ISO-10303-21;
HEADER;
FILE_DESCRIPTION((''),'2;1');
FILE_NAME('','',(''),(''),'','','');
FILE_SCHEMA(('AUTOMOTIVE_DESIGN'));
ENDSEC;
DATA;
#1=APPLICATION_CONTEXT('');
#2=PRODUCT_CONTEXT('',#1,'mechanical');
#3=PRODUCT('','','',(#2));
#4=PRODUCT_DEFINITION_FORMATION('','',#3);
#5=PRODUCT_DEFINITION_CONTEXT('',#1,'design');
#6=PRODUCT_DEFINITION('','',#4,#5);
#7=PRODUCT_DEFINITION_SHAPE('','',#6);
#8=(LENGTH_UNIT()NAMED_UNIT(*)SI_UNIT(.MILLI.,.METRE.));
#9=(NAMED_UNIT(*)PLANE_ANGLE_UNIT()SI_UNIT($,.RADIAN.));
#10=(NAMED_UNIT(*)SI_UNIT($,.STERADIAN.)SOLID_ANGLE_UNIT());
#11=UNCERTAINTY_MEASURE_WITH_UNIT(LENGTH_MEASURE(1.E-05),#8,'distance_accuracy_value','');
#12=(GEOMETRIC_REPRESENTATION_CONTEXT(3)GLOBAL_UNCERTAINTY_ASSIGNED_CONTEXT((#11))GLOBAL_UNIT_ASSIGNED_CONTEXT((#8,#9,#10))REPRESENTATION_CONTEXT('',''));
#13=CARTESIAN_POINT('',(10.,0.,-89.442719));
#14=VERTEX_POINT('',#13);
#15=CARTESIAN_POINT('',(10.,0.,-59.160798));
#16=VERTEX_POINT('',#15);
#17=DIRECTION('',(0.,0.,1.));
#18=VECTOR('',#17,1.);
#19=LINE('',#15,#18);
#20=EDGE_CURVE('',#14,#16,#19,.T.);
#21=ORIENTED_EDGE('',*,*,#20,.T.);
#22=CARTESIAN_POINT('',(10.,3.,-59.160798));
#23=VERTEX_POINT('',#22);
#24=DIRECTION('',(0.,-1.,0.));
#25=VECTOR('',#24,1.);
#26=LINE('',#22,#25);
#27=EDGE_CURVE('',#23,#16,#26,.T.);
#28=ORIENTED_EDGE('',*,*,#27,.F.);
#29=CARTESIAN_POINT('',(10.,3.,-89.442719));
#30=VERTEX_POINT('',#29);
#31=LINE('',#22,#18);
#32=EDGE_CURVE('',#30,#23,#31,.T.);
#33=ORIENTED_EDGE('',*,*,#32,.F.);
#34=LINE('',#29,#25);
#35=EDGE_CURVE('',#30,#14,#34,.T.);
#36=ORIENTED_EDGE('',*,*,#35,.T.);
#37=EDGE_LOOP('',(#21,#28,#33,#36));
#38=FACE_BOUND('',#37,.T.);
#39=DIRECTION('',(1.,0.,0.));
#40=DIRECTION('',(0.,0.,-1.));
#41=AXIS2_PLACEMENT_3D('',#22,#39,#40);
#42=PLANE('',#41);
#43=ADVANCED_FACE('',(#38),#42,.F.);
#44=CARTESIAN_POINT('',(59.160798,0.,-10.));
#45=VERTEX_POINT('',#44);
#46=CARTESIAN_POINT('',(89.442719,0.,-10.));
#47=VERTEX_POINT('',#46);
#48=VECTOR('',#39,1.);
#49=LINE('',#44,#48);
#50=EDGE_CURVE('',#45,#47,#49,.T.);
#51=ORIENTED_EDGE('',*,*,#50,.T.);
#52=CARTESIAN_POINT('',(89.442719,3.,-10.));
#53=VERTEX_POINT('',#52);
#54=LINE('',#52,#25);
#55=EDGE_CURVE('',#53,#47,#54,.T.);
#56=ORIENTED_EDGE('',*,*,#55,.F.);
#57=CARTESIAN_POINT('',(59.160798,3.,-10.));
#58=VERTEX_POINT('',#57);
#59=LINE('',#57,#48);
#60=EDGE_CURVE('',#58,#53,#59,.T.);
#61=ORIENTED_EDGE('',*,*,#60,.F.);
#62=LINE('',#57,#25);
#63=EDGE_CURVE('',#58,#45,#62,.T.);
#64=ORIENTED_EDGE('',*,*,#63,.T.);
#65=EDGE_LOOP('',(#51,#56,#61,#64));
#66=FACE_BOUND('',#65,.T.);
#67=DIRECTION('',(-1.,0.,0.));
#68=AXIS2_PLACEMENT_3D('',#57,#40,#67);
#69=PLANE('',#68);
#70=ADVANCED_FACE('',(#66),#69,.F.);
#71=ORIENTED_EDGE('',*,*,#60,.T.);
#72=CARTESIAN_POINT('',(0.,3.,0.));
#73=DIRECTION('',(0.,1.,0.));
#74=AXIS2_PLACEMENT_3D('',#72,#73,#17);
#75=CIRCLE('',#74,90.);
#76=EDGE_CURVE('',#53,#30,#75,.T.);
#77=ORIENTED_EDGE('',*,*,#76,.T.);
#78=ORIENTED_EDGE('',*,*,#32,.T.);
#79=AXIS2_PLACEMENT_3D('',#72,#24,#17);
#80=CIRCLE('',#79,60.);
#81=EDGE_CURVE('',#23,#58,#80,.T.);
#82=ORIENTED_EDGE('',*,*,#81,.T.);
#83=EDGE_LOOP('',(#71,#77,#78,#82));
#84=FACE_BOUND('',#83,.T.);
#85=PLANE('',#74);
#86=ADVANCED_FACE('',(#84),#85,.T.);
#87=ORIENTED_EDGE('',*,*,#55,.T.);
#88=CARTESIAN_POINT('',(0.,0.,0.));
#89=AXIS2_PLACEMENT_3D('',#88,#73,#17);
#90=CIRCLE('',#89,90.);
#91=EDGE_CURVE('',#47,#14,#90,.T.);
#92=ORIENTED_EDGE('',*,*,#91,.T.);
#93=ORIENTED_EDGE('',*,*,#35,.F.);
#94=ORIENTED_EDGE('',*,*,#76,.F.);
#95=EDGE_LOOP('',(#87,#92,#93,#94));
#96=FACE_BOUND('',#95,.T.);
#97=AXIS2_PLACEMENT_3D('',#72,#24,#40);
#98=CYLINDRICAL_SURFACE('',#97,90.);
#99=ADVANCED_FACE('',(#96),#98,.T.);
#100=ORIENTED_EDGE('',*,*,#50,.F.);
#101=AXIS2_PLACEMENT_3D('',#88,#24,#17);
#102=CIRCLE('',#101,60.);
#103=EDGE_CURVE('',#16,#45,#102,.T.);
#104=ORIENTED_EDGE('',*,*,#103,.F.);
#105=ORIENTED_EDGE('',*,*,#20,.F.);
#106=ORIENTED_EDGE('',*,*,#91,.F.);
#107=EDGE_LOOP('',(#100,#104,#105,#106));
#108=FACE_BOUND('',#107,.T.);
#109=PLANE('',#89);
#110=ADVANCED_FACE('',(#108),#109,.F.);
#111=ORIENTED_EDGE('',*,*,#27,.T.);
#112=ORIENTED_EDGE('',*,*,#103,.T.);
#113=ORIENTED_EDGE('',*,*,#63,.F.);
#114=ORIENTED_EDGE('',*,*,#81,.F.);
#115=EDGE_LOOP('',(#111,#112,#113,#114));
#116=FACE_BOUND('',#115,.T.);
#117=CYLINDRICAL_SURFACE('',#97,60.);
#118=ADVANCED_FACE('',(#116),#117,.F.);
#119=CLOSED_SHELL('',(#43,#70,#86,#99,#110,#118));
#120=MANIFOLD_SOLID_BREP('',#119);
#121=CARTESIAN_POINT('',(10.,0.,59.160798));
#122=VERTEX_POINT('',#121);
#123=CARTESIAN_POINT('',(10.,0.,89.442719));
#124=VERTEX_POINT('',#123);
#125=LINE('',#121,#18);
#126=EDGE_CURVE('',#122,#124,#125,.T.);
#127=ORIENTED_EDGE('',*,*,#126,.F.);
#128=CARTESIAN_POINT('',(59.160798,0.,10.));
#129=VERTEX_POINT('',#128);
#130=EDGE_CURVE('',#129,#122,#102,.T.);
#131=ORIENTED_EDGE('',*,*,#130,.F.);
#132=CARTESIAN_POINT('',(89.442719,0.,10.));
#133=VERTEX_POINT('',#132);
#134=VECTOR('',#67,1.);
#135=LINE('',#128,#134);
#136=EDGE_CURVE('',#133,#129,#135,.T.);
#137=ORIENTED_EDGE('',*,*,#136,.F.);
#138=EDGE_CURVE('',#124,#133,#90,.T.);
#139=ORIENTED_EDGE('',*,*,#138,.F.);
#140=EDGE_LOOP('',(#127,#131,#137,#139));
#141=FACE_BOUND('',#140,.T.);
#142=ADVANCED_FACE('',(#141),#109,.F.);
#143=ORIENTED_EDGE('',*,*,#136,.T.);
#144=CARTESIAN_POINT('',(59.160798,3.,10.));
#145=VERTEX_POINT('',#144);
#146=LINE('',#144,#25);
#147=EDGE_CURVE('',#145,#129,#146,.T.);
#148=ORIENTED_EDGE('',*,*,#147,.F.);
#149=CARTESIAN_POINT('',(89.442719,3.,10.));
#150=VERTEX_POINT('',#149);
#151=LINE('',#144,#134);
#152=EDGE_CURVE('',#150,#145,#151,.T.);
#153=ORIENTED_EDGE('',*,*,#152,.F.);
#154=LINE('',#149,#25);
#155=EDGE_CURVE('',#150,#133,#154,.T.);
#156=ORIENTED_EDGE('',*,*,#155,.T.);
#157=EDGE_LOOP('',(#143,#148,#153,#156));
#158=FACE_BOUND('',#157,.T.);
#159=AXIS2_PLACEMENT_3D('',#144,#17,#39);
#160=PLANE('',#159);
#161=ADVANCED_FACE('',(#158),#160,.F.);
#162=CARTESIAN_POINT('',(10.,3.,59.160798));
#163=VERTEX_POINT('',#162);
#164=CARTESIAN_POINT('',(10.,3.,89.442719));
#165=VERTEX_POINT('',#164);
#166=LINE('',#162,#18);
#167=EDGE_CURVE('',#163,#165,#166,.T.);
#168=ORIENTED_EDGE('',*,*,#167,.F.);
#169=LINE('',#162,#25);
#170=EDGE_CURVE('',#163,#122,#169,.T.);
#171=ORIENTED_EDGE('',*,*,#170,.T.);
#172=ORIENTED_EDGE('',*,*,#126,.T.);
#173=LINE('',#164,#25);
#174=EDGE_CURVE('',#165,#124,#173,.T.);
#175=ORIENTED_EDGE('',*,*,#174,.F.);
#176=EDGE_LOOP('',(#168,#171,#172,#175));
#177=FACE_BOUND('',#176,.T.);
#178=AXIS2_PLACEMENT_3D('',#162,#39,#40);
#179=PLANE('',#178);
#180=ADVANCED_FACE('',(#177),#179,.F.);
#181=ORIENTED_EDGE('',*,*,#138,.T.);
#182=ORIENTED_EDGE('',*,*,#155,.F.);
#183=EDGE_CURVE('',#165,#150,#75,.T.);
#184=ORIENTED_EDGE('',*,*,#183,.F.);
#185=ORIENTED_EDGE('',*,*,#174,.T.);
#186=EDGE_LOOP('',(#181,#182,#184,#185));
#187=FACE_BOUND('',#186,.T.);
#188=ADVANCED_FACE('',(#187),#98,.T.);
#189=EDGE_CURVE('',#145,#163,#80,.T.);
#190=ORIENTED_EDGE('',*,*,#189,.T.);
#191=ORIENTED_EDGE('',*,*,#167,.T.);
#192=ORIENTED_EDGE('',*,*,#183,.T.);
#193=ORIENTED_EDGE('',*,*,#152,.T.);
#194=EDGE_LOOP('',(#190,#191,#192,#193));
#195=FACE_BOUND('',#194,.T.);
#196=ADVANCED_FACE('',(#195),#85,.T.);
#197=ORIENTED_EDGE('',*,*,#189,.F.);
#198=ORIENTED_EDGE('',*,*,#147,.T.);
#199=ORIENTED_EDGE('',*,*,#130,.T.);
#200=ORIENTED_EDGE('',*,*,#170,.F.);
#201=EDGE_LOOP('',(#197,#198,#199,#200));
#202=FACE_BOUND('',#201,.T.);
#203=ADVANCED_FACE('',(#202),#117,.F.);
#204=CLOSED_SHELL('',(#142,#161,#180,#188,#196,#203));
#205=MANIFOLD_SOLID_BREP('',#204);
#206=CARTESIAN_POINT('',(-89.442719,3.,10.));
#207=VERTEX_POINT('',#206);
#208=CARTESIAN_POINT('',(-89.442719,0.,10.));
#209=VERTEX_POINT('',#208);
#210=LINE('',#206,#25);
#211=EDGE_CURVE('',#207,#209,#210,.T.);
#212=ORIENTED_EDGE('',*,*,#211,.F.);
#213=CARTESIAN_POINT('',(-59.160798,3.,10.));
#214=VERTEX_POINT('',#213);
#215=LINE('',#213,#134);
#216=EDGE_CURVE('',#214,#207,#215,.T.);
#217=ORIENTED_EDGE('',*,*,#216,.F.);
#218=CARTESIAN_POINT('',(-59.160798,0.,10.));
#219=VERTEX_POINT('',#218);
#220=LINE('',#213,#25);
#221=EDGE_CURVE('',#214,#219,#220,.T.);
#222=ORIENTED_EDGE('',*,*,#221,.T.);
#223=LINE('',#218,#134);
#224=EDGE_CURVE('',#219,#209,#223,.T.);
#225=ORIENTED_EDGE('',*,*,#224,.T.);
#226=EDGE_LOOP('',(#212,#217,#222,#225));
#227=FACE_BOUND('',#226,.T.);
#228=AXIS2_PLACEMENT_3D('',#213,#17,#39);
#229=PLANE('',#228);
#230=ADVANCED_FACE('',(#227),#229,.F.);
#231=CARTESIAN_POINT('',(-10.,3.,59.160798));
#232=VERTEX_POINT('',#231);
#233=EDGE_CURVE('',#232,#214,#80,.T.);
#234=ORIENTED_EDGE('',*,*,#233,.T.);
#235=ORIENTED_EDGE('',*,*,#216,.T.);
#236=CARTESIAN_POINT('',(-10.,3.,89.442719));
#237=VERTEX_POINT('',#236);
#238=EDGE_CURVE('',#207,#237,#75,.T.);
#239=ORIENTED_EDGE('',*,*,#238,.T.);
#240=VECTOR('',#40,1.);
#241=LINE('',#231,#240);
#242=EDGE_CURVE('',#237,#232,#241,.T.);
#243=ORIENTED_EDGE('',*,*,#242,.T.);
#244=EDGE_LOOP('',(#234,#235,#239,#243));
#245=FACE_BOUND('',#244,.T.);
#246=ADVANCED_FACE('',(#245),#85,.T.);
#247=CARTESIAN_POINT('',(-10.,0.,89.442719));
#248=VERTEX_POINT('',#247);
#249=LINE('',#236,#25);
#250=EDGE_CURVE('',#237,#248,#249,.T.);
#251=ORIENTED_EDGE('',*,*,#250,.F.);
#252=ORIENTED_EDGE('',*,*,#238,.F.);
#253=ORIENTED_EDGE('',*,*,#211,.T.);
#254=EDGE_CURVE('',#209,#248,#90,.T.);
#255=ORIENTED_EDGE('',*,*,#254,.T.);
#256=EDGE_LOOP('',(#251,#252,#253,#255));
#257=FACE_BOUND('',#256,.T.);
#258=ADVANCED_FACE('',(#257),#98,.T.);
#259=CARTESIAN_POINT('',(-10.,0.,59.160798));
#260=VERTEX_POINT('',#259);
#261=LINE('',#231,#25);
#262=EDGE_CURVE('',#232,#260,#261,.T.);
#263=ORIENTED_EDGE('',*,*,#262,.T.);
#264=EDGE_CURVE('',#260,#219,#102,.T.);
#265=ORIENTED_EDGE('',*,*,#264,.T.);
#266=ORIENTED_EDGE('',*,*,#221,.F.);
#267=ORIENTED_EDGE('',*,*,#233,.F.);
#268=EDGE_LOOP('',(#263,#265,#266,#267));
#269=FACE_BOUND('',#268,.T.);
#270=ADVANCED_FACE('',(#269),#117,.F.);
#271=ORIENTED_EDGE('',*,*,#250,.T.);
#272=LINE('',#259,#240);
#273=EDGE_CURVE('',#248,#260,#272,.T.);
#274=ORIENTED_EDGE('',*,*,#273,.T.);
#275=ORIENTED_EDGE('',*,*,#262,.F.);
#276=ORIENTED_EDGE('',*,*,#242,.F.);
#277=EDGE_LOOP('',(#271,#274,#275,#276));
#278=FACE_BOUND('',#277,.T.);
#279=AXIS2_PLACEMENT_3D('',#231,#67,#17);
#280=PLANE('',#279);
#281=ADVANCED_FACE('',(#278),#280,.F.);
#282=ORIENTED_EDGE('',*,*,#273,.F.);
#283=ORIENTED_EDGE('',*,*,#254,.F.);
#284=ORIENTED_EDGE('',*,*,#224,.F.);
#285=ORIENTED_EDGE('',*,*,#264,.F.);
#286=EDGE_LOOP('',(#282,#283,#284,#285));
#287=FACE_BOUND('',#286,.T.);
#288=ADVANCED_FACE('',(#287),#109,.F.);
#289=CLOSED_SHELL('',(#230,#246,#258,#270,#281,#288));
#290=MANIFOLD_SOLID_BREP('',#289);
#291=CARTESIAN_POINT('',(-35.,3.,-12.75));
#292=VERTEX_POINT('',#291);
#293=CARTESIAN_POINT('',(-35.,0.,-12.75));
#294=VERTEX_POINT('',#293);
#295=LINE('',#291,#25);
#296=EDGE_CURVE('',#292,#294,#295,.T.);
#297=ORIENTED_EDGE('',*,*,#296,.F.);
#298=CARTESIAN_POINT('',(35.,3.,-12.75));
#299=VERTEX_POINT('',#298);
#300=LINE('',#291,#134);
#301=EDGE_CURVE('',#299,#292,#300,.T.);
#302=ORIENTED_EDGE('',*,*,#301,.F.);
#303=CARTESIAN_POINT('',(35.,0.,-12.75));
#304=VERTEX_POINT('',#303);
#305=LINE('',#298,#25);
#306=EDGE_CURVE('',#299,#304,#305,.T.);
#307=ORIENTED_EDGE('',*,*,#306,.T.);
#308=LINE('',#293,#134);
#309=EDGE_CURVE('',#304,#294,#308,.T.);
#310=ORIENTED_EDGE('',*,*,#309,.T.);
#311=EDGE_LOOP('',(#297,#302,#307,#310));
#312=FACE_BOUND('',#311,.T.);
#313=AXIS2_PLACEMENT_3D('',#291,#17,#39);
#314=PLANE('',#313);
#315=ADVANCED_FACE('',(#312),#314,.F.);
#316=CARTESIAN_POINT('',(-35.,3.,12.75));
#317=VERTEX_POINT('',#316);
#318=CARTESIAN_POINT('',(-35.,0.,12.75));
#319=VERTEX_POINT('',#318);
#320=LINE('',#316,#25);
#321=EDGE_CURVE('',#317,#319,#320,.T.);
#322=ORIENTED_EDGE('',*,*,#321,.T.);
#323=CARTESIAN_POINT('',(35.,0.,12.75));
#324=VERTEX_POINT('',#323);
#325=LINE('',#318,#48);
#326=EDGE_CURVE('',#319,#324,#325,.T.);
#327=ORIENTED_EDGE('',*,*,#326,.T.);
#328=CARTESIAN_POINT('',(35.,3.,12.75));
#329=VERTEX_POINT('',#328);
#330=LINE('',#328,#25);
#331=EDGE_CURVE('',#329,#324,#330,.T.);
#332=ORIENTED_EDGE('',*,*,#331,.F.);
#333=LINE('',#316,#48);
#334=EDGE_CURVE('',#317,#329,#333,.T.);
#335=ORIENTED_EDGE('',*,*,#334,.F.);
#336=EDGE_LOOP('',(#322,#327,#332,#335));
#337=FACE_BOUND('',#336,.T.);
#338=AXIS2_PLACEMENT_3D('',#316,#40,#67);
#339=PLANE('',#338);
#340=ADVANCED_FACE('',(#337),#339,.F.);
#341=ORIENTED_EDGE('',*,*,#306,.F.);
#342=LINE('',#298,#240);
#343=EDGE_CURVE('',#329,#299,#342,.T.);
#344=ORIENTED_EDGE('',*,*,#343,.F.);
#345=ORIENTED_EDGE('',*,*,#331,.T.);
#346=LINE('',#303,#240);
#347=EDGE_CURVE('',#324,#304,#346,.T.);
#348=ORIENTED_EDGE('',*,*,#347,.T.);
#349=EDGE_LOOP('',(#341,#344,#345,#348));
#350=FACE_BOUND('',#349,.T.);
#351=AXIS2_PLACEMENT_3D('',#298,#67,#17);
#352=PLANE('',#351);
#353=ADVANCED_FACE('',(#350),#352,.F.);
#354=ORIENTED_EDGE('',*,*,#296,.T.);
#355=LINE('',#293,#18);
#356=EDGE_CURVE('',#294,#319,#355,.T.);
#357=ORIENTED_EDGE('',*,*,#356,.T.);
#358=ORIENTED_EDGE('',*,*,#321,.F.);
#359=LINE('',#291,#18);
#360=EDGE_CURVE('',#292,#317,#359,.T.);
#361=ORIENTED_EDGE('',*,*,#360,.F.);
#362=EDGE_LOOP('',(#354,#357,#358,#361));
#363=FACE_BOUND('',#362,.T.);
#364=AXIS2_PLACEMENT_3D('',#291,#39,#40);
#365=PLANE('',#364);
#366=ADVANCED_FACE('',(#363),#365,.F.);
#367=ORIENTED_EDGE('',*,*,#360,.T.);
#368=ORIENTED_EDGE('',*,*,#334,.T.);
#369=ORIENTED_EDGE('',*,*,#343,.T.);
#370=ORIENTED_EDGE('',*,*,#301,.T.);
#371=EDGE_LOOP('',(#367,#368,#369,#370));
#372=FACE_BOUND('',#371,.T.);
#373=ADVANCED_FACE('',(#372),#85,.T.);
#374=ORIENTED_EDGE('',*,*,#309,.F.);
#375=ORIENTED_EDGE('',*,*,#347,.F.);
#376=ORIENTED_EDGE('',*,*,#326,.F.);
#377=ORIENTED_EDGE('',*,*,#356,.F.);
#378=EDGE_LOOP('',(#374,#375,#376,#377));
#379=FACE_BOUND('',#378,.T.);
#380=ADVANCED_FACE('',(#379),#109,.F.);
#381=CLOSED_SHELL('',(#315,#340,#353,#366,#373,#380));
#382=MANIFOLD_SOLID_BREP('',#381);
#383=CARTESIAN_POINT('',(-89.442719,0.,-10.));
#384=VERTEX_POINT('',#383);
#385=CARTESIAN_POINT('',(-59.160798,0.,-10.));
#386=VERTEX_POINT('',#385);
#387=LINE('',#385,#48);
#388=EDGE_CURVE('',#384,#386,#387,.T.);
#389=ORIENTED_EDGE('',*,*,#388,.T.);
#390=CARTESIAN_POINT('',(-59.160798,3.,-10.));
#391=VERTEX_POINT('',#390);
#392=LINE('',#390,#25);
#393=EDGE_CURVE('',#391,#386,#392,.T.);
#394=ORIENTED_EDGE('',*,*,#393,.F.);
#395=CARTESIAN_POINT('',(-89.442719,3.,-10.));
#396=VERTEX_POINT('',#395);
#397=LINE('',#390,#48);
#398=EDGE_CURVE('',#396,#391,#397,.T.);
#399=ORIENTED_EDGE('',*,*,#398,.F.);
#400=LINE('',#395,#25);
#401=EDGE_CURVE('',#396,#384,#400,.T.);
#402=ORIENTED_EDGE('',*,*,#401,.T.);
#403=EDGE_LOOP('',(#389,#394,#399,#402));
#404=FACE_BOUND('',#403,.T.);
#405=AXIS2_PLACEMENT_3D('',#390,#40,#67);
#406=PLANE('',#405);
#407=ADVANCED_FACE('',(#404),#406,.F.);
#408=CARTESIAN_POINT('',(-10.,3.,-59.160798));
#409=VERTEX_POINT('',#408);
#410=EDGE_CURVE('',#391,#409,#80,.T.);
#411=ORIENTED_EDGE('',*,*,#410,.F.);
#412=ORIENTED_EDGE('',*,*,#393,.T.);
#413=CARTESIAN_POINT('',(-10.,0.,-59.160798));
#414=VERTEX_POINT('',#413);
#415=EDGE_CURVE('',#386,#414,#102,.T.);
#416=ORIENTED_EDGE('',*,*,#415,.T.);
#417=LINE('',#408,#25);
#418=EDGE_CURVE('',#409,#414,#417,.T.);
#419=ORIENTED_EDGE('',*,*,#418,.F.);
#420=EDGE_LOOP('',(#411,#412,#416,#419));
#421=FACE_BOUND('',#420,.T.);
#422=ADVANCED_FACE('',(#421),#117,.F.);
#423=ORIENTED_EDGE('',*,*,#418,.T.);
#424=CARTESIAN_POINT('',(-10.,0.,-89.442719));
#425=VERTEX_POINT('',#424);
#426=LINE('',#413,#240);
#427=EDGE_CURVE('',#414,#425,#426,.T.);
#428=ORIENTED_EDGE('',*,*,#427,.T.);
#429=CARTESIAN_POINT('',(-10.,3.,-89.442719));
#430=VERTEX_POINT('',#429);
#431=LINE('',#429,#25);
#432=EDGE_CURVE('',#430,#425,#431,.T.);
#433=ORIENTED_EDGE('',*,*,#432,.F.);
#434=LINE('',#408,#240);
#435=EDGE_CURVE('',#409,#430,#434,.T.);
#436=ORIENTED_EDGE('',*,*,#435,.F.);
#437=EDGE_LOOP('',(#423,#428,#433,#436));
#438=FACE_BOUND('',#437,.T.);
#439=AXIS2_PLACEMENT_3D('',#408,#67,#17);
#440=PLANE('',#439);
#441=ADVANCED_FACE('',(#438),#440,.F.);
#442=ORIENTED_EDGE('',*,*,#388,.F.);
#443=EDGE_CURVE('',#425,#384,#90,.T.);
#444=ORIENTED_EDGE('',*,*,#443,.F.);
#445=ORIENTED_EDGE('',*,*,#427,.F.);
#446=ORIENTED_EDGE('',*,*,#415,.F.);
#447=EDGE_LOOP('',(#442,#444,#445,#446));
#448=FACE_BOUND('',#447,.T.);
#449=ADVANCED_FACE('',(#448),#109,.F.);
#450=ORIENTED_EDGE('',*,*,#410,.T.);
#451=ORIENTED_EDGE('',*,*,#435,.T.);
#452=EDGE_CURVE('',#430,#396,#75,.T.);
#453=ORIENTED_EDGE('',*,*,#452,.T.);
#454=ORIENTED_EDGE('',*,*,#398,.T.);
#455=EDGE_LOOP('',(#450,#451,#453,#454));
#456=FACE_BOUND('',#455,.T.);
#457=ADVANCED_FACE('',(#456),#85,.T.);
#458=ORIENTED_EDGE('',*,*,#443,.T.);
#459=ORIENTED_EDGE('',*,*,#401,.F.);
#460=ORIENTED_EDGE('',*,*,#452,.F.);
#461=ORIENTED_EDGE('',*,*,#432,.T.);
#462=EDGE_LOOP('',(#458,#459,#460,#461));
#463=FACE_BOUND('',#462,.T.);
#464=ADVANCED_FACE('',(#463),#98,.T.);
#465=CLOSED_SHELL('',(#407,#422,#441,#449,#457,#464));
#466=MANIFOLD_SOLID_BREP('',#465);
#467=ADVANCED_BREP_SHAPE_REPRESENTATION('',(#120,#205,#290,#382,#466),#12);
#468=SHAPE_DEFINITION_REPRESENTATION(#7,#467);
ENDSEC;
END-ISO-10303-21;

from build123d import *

# Parameters (mm, degrees)
BOSS_EXTRUDE1_DEPTH   = 3
BOSS_EXTRUDE1_2_DEPTH = 3
BOSS_EXTRUDE1_3_DEPTH = 3
BOSS_EXTRUDE1_4_DEPTH = 3
SKETCH1_W             = 70
SKETCH1_H             = 25.5
BOSS_EXTRUDE1_5_DEPTH = 3


with BuildPart() as part:
    # Sketch1 → Boss-Extrude1 (new body)
    with BuildSketch(Plane(origin=(0, 0, 0), x_dir=(1, 0, 0), z_dir=(0, 1, 0))):
        with BuildLine():
            Line((-10, 59.160797831), (-10, 89.4427191))
            ThreePointArc((-10, 89.4427191), (-63.639610307, 63.639610307), (-89.4427191, 10))
            Line((-89.4427191, 10), (-59.160797831, 10))
            ThreePointArc((-59.160797831, 10), (-42.426406871, 42.426406871), (-10, 59.160797831))
        make_face()
    extrude(amount=BOSS_EXTRUDE1_DEPTH)


with BuildPart() as body_2:
    # Sketch1 → Boss-Extrude1 2 (new body)
    with BuildSketch(Plane(origin=(0, 0, 0), x_dir=(1, 0, 0), z_dir=(0, 1, 0))):
        with BuildLine():
            Line((10, 59.160797831), (10, 89.4427191))
            ThreePointArc((10, 89.4427191), (63.639610307, 63.639610307), (89.4427191, 10))
            Line((89.4427191, 10), (59.160797831, 10))
            ThreePointArc((59.160797831, 10), (42.426406871, 42.426406871), (10, 59.160797831))
        make_face()
    extrude(amount=BOSS_EXTRUDE1_2_DEPTH)


with BuildPart() as body_3:
    # Sketch1 → Boss-Extrude1 3 (new body)
    with BuildSketch(Plane(origin=(0, 0, 0), x_dir=(1, 0, 0), z_dir=(0, 1, 0))):
        with BuildLine():
            Line((10, -59.160797831), (10, -89.4427191))
            ThreePointArc((10, -89.4427191), (63.639610307, -63.639610307), (89.4427191, -10))
            Line((89.4427191, -10), (59.160797831, -10))
            ThreePointArc((59.160797831, -10), (42.426406871, -42.426406871), (10, -59.160797831))
        make_face()
    extrude(amount=BOSS_EXTRUDE1_3_DEPTH)


with BuildPart() as body_4:
    # Sketch1 → Boss-Extrude1 4 (new body)
    with BuildSketch(Plane(origin=(0, 0, 0), x_dir=(1, 0, 0), z_dir=(0, 1, 0))):
        with BuildLine():
            Line((-10, -59.160797831), (-10, -89.4427191))
            ThreePointArc((-10, -89.4427191), (-63.639610307, -63.639610307), (-89.4427191, -10))
            Line((-89.4427191, -10), (-59.160797831, -10))
            ThreePointArc((-59.160797831, -10), (-42.426406871, -42.426406871), (-10, -59.160797831))
        make_face()
    extrude(amount=BOSS_EXTRUDE1_4_DEPTH)


with BuildPart() as body_5:
    # Sketch1 → Boss-Extrude1 5 (new body)
    with BuildSketch(Plane(origin=(0, 0, 0), x_dir=(1, 0, 0), z_dir=(0, 1, 0))):
        Rectangle(SKETCH1_W, SKETCH1_H)
    extrude(amount=BOSS_EXTRUDE1_5_DEPTH)


solid = Compound([part.part, body_2.part, body_3.part, body_4.part, body_5.part])
